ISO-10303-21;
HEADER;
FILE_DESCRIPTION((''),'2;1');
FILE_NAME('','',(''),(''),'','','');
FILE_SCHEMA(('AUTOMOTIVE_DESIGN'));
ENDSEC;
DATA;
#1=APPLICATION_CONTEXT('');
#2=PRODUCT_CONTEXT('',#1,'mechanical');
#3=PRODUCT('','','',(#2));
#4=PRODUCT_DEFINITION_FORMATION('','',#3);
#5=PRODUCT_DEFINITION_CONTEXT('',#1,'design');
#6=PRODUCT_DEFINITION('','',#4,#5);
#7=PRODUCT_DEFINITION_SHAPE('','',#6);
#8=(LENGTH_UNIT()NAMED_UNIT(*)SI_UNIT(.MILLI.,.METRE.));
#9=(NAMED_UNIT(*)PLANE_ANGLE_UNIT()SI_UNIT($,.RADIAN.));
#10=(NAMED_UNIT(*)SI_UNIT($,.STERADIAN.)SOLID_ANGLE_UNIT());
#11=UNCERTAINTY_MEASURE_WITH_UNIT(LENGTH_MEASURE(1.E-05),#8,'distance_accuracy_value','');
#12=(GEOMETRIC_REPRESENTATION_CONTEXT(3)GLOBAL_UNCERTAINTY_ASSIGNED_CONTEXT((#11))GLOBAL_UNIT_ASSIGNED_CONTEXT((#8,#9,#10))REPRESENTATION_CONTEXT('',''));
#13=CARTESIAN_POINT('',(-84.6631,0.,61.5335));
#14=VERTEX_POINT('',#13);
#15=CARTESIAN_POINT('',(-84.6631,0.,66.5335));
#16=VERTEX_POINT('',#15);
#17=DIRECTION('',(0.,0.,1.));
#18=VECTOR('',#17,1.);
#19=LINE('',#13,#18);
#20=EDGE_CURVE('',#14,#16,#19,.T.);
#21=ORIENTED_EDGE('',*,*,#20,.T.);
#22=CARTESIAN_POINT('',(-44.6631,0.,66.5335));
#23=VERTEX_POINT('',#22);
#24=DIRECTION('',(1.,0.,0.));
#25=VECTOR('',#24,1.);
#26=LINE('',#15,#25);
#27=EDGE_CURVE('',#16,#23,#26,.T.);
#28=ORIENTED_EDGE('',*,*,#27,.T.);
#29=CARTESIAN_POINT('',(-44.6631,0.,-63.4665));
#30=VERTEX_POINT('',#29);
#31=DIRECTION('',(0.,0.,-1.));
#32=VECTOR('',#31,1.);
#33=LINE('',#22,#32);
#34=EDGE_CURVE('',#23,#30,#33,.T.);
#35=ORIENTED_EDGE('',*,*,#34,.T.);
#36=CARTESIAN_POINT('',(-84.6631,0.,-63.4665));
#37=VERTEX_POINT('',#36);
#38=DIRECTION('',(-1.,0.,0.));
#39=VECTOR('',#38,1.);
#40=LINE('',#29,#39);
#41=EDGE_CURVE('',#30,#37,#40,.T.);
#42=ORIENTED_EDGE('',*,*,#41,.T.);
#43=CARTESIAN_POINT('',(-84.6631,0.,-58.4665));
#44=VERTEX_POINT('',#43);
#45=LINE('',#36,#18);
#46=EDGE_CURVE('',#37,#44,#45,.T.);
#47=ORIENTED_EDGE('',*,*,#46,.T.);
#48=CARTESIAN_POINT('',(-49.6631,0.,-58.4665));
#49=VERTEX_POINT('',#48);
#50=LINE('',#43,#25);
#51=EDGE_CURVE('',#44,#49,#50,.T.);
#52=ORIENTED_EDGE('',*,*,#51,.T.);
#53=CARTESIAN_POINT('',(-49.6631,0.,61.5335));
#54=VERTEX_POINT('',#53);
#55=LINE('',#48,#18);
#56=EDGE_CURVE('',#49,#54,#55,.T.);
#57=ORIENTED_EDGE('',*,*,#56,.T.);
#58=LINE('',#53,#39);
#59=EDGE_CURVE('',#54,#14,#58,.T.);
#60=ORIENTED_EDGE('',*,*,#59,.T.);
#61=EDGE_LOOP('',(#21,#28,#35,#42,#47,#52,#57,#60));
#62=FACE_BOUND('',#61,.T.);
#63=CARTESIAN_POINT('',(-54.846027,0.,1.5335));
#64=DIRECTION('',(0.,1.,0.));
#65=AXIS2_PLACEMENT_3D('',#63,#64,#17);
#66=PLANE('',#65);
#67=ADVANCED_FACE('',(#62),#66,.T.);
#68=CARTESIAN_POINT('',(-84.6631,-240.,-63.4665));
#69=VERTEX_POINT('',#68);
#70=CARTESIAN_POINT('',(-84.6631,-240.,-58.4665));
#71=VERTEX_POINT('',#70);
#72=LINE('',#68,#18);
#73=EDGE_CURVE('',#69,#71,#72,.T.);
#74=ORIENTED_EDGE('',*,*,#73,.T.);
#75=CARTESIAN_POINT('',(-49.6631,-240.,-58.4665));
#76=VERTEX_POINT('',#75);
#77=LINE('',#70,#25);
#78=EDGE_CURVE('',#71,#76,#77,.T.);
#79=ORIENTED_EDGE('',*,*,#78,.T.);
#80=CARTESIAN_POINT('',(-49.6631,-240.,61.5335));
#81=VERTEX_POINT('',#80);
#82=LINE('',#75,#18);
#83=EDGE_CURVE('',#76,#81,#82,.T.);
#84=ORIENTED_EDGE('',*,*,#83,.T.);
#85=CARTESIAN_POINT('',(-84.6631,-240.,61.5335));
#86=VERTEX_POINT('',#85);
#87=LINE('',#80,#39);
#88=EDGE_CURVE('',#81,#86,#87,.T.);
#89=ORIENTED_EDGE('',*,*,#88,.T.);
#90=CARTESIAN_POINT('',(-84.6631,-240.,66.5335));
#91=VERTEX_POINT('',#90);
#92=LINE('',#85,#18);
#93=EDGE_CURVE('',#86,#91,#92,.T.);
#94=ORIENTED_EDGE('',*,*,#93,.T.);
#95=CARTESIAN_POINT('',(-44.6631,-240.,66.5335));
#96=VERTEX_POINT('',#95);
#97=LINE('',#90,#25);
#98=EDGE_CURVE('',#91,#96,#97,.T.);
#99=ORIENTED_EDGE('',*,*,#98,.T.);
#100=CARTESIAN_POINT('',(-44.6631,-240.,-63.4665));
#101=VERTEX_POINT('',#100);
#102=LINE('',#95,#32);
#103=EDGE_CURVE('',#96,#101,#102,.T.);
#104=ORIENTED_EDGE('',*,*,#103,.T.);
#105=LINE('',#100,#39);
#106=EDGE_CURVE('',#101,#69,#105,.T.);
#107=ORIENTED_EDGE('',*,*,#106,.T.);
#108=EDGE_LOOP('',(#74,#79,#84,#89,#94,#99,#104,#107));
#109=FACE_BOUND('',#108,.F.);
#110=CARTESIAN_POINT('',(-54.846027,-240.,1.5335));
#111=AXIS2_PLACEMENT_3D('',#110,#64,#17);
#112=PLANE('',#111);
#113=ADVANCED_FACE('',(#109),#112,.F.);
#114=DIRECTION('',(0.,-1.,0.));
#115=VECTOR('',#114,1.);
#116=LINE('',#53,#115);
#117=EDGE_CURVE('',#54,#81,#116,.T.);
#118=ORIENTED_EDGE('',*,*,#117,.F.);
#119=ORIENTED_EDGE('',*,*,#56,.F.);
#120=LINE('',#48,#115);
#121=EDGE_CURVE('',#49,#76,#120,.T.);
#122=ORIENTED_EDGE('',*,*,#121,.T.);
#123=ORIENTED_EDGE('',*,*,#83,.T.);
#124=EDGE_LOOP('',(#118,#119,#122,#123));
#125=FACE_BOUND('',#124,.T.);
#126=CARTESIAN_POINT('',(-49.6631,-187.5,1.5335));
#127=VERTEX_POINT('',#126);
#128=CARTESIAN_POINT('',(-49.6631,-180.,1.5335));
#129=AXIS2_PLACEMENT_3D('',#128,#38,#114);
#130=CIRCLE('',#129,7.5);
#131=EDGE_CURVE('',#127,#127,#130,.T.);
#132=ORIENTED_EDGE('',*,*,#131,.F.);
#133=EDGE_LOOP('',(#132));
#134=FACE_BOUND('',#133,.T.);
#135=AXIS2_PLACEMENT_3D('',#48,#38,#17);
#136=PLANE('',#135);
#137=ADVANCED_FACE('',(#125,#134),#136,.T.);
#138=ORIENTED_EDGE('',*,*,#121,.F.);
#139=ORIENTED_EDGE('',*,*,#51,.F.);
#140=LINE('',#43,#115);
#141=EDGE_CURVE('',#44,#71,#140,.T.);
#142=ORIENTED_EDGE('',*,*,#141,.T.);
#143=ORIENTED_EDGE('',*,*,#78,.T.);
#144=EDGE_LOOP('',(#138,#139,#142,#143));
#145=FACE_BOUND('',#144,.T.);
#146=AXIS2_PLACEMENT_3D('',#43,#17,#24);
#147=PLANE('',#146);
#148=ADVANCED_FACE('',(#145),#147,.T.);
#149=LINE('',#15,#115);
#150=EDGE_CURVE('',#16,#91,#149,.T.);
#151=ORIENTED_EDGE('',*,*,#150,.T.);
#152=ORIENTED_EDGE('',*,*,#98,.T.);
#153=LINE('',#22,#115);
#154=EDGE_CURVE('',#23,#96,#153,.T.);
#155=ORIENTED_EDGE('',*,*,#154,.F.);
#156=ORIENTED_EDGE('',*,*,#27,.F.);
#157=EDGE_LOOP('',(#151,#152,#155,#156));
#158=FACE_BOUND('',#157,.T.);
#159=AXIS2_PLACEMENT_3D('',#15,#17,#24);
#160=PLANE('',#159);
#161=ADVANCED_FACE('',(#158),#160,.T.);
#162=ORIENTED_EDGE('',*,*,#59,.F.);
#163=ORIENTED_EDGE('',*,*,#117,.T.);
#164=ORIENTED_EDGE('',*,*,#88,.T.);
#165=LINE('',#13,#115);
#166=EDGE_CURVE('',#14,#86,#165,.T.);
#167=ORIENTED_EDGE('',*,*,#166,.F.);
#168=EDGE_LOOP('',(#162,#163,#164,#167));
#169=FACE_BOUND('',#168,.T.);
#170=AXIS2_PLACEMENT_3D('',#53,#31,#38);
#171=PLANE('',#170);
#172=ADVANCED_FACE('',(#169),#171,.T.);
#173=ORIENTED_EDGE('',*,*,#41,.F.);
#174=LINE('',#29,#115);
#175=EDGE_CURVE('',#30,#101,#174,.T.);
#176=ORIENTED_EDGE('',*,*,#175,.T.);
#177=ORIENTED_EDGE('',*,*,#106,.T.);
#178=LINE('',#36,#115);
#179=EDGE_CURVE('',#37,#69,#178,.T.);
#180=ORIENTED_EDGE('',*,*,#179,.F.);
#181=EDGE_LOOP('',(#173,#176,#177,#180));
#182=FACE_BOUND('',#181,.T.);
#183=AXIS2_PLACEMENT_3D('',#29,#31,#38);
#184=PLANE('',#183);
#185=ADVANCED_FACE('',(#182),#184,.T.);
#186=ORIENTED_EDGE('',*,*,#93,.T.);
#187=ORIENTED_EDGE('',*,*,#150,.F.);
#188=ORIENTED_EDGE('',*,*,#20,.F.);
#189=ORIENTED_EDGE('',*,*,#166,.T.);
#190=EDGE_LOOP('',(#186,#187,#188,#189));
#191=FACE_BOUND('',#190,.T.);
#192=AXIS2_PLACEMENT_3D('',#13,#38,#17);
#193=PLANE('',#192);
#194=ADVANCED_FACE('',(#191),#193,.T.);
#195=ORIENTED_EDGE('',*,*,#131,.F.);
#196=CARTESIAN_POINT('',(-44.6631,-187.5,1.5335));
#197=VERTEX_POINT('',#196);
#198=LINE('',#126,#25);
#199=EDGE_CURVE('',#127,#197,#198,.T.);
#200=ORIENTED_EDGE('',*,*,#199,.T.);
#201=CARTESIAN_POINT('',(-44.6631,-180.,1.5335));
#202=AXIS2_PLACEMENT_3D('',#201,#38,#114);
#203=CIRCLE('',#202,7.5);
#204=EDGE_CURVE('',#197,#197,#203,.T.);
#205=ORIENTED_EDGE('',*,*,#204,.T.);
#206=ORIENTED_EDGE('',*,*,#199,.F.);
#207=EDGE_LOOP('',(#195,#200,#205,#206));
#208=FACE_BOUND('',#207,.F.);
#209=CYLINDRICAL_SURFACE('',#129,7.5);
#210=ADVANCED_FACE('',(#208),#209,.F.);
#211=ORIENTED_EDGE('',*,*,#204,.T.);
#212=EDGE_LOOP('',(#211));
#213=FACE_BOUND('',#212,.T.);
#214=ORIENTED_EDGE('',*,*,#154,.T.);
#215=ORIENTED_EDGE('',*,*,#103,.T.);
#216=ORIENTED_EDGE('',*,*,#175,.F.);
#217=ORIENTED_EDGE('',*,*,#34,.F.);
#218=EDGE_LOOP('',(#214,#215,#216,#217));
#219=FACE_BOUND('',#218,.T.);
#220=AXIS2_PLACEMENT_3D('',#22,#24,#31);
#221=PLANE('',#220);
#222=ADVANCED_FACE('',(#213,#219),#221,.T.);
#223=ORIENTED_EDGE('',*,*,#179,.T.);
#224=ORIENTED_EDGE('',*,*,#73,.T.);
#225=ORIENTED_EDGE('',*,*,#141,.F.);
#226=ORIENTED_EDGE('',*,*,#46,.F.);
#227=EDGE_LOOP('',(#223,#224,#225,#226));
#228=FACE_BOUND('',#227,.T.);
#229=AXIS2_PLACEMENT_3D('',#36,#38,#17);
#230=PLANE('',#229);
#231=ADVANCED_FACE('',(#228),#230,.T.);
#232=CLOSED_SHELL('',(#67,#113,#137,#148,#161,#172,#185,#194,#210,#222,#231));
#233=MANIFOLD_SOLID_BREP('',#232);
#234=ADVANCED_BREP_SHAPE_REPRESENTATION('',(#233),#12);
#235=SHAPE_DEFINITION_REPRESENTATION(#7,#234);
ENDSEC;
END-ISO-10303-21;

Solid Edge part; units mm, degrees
sketch "Sketch1" plane through (0, 0, 0) normal (0, -1, 0) x (1, 0, 0)
  line L0 (-84.6631, 66.5335) -> (-44.6631, 66.5335)
  line L1 (-44.6631, 66.5335) -> (-44.6631, -63.4665)
  line L2 (-44.6631, -63.4665) -> (-84.6631, -63.4665)
  line L3 (-84.6631, -63.4665) -> (-84.6631, -58.4665)
  line L4 (-84.6631, -58.4665) -> (-49.6631, -58.4665)
  line L5 (-49.6631, -58.4665) -> (-49.6631, 61.5335)
  line L6 (-49.6631, 61.5335) -> (-84.6631, 61.5335)
  line L7 (-84.6631, 61.5335) -> (-84.6631, 66.5335)
  dimension "D1" = 130
  dimension "D2" = 5
  dimension "D3" = 5
  dimension "D4" = 40
  dimension "D5" = 5
extrude "Protrusion1" add sketch "Sketch1" along normal blind 240
sketch "Sketch2" plane through (-49.6631, -60, 1.5335) normal (-1, 0, 0) x (0, -1, 0)
  circle A0 centre (120, 0) radius 7.5
  dimension "D1" = 60
extrude "Cutout1" cut sketch "Sketch2" against normal through all
properties material "Aluminum, 6061-T6"
